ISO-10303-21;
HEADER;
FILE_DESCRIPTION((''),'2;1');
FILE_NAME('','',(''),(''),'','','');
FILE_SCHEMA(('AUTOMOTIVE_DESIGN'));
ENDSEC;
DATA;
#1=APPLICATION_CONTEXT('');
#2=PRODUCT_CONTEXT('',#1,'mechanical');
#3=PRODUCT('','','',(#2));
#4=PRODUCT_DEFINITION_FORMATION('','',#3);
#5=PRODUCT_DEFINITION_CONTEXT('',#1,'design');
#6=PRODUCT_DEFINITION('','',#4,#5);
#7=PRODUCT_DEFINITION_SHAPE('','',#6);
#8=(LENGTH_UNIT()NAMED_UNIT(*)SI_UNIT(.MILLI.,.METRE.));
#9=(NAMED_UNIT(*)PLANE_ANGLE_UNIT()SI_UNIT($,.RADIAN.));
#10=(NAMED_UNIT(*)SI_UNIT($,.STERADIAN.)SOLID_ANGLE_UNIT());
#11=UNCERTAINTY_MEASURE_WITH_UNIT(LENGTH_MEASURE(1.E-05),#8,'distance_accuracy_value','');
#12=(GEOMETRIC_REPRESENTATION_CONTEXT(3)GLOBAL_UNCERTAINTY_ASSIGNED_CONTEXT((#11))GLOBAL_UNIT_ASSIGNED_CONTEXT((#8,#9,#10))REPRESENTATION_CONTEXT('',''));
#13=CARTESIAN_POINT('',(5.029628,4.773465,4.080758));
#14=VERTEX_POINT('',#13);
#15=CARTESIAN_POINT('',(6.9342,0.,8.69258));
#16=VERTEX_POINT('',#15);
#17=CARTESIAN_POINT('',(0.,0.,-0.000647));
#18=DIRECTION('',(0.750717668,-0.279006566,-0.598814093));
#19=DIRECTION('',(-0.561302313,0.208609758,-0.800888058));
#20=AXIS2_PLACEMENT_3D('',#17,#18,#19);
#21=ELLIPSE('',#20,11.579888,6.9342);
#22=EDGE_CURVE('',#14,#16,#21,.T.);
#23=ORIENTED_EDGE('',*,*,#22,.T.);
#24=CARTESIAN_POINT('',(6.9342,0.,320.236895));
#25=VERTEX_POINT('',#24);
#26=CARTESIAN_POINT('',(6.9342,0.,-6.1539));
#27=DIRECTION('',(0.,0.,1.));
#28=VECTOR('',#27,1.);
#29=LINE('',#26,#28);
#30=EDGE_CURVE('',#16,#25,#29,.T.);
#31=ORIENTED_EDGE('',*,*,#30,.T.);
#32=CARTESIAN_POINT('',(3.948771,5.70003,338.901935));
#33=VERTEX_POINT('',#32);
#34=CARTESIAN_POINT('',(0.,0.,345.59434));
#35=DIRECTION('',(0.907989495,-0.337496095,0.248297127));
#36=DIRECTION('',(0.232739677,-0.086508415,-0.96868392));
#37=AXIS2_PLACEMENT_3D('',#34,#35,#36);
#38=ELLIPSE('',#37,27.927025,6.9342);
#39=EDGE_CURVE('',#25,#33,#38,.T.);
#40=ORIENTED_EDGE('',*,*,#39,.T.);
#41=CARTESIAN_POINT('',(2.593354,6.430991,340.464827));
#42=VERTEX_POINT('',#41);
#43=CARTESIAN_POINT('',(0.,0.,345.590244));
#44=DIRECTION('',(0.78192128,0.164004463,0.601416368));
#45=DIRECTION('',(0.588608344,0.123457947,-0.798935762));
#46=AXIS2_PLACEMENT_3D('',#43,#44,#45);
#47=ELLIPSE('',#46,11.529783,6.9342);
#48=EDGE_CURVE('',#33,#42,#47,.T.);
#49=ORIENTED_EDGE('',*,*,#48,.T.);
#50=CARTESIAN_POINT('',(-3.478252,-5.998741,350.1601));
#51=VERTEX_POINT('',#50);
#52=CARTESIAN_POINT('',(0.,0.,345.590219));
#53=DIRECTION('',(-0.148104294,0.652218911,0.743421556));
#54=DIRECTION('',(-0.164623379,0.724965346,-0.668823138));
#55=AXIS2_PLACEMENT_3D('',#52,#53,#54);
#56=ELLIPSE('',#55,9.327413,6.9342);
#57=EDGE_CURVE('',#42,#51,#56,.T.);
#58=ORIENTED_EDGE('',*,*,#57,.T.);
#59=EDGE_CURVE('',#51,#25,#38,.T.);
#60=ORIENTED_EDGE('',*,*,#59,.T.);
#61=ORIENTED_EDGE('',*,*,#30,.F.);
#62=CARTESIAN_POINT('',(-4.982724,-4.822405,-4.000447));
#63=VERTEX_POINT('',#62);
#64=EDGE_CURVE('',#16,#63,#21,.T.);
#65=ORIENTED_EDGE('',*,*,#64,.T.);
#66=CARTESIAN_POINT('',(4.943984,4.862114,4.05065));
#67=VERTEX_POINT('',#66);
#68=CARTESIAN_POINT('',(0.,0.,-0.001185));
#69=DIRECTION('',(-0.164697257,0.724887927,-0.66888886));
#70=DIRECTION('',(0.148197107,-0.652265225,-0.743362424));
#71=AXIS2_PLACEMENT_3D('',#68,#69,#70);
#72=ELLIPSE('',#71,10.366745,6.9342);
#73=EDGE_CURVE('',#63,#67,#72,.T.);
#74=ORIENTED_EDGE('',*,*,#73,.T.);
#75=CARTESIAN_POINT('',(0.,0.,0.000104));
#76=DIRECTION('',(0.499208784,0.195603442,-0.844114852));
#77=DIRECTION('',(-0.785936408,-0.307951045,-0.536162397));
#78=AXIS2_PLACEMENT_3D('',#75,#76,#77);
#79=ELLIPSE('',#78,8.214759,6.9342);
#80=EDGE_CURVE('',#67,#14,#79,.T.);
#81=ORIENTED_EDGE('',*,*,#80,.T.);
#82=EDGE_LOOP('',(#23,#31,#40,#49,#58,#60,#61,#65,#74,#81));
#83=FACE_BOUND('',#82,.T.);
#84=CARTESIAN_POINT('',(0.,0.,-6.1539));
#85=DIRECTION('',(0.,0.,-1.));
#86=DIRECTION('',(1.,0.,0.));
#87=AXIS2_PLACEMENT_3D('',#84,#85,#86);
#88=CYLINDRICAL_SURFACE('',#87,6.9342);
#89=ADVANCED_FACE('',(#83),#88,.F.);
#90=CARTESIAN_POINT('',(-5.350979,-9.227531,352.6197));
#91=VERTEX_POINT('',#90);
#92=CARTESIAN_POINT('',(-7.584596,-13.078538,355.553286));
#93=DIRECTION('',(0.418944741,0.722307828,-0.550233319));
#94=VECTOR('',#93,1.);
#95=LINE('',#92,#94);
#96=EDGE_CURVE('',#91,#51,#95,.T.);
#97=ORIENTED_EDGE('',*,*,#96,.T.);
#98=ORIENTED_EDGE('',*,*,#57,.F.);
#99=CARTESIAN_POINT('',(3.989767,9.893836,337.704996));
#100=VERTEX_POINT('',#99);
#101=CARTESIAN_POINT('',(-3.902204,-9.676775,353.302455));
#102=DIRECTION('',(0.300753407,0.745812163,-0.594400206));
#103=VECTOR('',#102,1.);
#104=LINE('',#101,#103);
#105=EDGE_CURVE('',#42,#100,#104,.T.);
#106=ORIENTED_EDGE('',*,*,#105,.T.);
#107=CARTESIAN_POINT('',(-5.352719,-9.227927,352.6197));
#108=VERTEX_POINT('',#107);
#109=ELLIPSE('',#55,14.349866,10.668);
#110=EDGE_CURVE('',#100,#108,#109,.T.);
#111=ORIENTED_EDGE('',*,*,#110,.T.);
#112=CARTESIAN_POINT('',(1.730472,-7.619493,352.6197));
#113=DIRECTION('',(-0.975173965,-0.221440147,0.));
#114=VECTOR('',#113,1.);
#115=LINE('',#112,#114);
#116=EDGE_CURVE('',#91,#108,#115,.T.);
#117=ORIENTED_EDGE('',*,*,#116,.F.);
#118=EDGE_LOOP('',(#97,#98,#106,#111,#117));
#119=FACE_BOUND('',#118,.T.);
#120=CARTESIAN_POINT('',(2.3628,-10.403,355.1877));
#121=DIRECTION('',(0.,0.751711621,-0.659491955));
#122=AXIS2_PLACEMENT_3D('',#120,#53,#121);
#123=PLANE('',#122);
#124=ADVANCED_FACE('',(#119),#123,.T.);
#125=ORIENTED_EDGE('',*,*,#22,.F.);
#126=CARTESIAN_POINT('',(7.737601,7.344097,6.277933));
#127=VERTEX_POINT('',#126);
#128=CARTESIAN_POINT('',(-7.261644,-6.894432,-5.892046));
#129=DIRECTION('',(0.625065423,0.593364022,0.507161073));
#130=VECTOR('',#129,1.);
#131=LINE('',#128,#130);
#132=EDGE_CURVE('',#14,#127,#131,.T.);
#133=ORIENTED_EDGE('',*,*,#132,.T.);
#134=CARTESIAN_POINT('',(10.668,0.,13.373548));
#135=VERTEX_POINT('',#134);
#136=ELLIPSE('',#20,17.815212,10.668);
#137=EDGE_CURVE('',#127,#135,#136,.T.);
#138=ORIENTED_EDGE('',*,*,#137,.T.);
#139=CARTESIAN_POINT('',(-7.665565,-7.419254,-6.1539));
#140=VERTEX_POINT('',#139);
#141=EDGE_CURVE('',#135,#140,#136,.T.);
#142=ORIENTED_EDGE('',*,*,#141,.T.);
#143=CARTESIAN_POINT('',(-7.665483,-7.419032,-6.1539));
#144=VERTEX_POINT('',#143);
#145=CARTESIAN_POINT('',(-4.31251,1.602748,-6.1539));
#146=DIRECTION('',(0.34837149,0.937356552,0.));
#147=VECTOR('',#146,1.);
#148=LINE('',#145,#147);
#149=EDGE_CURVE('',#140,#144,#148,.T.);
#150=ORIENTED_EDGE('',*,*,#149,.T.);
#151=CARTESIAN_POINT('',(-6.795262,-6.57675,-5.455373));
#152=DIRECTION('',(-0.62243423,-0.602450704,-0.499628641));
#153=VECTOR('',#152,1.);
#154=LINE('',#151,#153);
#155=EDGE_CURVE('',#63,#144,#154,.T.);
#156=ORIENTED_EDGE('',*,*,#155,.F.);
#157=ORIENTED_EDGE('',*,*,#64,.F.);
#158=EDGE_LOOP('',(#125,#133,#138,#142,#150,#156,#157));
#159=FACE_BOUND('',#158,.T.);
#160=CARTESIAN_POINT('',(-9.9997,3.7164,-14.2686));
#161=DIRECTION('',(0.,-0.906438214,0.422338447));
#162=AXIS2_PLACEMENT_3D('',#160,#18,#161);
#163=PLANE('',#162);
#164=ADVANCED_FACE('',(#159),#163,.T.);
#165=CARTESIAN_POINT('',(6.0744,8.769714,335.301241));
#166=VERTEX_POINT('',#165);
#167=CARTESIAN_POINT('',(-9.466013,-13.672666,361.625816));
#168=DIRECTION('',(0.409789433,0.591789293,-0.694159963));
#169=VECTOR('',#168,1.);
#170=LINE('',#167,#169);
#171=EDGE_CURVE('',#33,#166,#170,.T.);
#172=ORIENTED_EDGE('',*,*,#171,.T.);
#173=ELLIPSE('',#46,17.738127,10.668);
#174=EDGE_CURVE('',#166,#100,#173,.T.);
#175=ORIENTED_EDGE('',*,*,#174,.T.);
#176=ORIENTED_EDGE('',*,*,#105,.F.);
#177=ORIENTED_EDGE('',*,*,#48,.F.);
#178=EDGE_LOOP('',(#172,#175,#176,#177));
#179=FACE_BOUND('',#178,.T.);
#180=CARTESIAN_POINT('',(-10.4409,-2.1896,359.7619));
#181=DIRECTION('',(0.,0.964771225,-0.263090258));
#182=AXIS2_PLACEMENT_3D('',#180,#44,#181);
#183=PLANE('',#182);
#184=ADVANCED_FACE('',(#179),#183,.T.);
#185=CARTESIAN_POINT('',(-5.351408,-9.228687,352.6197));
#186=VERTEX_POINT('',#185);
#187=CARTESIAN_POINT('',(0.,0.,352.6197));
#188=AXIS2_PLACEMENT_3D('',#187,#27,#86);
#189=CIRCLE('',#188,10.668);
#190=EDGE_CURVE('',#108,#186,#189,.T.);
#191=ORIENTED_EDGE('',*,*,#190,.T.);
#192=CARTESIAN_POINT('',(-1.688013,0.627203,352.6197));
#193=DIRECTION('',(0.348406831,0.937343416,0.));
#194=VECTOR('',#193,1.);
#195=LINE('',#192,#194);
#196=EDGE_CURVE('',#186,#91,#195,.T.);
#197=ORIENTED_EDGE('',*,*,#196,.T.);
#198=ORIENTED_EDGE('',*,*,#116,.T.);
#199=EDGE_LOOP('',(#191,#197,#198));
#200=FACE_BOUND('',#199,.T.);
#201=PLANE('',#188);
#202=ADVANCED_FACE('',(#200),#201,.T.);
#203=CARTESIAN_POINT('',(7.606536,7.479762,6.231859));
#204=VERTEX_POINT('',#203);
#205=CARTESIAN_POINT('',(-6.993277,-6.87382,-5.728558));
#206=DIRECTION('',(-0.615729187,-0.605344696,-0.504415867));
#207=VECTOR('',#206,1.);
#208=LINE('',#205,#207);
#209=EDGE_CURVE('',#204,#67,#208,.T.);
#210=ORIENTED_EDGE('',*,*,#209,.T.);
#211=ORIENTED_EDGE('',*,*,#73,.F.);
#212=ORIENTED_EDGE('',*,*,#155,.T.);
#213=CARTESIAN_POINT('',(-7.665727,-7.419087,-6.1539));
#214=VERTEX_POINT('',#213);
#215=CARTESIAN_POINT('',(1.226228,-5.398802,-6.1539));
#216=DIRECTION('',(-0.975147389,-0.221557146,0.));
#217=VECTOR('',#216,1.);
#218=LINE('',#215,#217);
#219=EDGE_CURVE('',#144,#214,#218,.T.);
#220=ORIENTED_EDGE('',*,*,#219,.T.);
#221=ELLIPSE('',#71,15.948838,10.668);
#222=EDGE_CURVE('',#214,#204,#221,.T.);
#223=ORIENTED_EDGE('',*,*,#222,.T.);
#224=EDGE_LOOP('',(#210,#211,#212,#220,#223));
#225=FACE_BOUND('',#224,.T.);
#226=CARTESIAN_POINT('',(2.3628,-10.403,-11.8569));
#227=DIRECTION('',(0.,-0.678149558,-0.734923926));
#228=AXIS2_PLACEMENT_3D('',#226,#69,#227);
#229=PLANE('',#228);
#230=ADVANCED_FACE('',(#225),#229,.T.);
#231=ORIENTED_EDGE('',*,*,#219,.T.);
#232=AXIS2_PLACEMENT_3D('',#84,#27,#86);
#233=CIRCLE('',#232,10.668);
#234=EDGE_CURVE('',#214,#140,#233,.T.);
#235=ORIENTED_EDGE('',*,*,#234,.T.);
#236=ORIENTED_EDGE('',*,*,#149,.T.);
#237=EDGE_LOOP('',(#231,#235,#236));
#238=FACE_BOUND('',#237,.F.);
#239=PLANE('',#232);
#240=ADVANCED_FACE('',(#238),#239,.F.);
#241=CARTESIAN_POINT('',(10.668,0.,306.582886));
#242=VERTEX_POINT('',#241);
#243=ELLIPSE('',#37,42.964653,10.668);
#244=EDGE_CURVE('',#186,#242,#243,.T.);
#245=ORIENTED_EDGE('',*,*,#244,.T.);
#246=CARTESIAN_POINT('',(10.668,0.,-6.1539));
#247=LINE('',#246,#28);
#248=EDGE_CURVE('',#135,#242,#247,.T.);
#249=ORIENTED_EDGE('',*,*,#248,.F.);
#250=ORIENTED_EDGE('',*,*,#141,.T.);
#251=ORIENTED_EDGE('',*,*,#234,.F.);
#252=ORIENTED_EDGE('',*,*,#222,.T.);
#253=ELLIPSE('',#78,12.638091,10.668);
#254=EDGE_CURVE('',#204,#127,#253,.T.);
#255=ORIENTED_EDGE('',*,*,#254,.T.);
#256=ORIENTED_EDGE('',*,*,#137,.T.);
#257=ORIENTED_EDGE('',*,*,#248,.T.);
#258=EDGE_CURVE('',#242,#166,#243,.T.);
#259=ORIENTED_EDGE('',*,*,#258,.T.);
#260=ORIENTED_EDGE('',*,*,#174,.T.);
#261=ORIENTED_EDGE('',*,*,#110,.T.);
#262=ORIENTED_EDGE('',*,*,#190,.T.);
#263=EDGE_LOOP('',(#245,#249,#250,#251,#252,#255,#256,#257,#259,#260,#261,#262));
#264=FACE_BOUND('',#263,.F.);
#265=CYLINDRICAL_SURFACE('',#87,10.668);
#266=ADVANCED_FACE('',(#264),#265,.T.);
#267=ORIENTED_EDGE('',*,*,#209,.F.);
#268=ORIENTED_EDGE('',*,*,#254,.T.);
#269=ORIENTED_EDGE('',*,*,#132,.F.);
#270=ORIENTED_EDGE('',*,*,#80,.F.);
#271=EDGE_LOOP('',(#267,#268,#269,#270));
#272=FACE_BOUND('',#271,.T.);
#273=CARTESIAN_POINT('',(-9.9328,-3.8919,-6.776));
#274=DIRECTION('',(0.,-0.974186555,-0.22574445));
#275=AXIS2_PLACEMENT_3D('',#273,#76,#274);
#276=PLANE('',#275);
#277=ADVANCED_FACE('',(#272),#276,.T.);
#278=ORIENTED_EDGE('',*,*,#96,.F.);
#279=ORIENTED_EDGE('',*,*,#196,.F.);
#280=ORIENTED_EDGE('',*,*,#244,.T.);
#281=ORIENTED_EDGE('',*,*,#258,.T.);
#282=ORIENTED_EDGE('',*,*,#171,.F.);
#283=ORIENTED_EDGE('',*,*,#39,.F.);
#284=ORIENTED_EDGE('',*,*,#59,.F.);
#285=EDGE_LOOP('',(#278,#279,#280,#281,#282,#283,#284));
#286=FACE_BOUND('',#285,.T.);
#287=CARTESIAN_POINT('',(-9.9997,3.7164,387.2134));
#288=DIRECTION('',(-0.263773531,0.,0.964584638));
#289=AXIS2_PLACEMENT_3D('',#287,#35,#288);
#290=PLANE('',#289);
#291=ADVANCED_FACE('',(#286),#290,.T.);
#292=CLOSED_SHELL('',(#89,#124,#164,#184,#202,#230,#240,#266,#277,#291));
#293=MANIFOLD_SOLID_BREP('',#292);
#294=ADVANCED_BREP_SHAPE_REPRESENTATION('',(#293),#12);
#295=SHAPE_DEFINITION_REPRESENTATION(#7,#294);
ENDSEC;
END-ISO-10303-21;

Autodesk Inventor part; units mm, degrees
ref_plane "Start Plane" through (0, 0, -6.1539) normal (0, 0, 1) x (1, 0, 0)
ref_plane "End Plane" through (0, 0, 352.6196) normal (0, 0, 1) x (1, 0, 0)
sketch "Sketch" plane through (0, 0, 0) normal (0, 0, 1) x (1, 0, 0)
  circle A0 centre (0, 0) radius 6.9342
  circle A1 centre (0, 0) radius 10.668
  dimension "d0" = 21.336
  dimension "d1" = 3.7338
extrude "Body" add sketch "Sketch" along normal up to surface (358.7736 mm away) from surface at -6.1539
sketch "Sketch3" plane through (0, 0, 0) normal (0, 0, 1) x (1, 0, 0)
  line L0 (0, 0) -> (10, 0)
ref_plane "Work Plane3" through (0, 0, 0) normal (0, -1, 0) x (1, 0, 0)
sketch "Sketch4" plane through (0, 0, 0) normal (0, -1, 0) x (1, 0, 0)
  line L0 (-2, -6.1539) -> (12, -6.1539)
  line L1 (-2, 352.6196) -> (12, 352.6196)
  dimension "d7" = 358.7736
ref_plane "Work Plane4" through (2.3628, -10.403, 355.1877) normal (-0.1481, 0.6522, 0.7434) x (0.9874, 0.0554, 0.1481)
split "Split1" plane through (2.3628, -10.403, 355.1877) removes the side toward (-0.1481, 0.6522, 0.7434)
ref_plane "Work Plane5" through (-10.4409, -2.1896, 359.7619) normal (0.7819, 0.164, 0.6014) x (0.6182, -0.0801, -0.7819)
split "Split2" plane through (-10.4409, -2.1896, 359.7619) removes the side toward (0.7819, 0.164, 0.6014)
ref_plane "Work Plane6" through (-9.9997, 3.7164, 387.2134) normal (0.908, -0.3375, 0.2483) x (0.3395, 0.2455, -0.908)
split "Split3" plane through (-9.9997, 3.7164, 387.2134) removes the side toward (0.908, -0.3375, 0.2483)
ref_plane "Work Plane7" through (2.3628, -10.403, -11.8569) normal (-0.1647, 0.7249, -0.6689) x (0.9181, 0.3604, 0.1647)
split "Split4" plane through (2.3628, -10.403, -11.8569) removes the side toward (-0.1647, 0.7249, -0.6689)
ref_plane "Work Plane8" through (-9.9997, 3.7164, -14.2686) normal (0.7507, -0.279, -0.5988) x (-0.4048, 0.5221, -0.7507)
split "Split5" plane through (-9.9997, 3.7164, -14.2686) removes the side toward (0.7507, -0.279, -0.5988)
ref_plane "Work Plane9" through (-9.9328, -3.8919, -6.776) normal (0.4992, 0.1956, -0.8441) x (-0.5987, -0.6264, -0.4992)
split "Split6" plane through (-9.9328, -3.8919, -6.776) removes the side toward (0.4992, 0.1956, -0.8441)
equation "\"d0\" = G_H"
equation "\"d1\" = G_T"
equation "\"d2\" = G_L"
equation "\"G_H\" = 21.336"
equation "\"G_T\" = 3.7338"
equation "\"G_L\" = 358.77357"
equation "\"G_OFFSET_START\" = 6.15394"
equation "\"G_OFFSET_END\" = 7.03027"
equation "\"d4\" = -G_OFFSET_START"
equation "\"d5\" = G_OFFSET_END + B_L"
equation "\"B_L\" = 345.58937"
properties part number "ANSI - 1/2 x 0.147 - 14.125" material "Steel, Mild"
